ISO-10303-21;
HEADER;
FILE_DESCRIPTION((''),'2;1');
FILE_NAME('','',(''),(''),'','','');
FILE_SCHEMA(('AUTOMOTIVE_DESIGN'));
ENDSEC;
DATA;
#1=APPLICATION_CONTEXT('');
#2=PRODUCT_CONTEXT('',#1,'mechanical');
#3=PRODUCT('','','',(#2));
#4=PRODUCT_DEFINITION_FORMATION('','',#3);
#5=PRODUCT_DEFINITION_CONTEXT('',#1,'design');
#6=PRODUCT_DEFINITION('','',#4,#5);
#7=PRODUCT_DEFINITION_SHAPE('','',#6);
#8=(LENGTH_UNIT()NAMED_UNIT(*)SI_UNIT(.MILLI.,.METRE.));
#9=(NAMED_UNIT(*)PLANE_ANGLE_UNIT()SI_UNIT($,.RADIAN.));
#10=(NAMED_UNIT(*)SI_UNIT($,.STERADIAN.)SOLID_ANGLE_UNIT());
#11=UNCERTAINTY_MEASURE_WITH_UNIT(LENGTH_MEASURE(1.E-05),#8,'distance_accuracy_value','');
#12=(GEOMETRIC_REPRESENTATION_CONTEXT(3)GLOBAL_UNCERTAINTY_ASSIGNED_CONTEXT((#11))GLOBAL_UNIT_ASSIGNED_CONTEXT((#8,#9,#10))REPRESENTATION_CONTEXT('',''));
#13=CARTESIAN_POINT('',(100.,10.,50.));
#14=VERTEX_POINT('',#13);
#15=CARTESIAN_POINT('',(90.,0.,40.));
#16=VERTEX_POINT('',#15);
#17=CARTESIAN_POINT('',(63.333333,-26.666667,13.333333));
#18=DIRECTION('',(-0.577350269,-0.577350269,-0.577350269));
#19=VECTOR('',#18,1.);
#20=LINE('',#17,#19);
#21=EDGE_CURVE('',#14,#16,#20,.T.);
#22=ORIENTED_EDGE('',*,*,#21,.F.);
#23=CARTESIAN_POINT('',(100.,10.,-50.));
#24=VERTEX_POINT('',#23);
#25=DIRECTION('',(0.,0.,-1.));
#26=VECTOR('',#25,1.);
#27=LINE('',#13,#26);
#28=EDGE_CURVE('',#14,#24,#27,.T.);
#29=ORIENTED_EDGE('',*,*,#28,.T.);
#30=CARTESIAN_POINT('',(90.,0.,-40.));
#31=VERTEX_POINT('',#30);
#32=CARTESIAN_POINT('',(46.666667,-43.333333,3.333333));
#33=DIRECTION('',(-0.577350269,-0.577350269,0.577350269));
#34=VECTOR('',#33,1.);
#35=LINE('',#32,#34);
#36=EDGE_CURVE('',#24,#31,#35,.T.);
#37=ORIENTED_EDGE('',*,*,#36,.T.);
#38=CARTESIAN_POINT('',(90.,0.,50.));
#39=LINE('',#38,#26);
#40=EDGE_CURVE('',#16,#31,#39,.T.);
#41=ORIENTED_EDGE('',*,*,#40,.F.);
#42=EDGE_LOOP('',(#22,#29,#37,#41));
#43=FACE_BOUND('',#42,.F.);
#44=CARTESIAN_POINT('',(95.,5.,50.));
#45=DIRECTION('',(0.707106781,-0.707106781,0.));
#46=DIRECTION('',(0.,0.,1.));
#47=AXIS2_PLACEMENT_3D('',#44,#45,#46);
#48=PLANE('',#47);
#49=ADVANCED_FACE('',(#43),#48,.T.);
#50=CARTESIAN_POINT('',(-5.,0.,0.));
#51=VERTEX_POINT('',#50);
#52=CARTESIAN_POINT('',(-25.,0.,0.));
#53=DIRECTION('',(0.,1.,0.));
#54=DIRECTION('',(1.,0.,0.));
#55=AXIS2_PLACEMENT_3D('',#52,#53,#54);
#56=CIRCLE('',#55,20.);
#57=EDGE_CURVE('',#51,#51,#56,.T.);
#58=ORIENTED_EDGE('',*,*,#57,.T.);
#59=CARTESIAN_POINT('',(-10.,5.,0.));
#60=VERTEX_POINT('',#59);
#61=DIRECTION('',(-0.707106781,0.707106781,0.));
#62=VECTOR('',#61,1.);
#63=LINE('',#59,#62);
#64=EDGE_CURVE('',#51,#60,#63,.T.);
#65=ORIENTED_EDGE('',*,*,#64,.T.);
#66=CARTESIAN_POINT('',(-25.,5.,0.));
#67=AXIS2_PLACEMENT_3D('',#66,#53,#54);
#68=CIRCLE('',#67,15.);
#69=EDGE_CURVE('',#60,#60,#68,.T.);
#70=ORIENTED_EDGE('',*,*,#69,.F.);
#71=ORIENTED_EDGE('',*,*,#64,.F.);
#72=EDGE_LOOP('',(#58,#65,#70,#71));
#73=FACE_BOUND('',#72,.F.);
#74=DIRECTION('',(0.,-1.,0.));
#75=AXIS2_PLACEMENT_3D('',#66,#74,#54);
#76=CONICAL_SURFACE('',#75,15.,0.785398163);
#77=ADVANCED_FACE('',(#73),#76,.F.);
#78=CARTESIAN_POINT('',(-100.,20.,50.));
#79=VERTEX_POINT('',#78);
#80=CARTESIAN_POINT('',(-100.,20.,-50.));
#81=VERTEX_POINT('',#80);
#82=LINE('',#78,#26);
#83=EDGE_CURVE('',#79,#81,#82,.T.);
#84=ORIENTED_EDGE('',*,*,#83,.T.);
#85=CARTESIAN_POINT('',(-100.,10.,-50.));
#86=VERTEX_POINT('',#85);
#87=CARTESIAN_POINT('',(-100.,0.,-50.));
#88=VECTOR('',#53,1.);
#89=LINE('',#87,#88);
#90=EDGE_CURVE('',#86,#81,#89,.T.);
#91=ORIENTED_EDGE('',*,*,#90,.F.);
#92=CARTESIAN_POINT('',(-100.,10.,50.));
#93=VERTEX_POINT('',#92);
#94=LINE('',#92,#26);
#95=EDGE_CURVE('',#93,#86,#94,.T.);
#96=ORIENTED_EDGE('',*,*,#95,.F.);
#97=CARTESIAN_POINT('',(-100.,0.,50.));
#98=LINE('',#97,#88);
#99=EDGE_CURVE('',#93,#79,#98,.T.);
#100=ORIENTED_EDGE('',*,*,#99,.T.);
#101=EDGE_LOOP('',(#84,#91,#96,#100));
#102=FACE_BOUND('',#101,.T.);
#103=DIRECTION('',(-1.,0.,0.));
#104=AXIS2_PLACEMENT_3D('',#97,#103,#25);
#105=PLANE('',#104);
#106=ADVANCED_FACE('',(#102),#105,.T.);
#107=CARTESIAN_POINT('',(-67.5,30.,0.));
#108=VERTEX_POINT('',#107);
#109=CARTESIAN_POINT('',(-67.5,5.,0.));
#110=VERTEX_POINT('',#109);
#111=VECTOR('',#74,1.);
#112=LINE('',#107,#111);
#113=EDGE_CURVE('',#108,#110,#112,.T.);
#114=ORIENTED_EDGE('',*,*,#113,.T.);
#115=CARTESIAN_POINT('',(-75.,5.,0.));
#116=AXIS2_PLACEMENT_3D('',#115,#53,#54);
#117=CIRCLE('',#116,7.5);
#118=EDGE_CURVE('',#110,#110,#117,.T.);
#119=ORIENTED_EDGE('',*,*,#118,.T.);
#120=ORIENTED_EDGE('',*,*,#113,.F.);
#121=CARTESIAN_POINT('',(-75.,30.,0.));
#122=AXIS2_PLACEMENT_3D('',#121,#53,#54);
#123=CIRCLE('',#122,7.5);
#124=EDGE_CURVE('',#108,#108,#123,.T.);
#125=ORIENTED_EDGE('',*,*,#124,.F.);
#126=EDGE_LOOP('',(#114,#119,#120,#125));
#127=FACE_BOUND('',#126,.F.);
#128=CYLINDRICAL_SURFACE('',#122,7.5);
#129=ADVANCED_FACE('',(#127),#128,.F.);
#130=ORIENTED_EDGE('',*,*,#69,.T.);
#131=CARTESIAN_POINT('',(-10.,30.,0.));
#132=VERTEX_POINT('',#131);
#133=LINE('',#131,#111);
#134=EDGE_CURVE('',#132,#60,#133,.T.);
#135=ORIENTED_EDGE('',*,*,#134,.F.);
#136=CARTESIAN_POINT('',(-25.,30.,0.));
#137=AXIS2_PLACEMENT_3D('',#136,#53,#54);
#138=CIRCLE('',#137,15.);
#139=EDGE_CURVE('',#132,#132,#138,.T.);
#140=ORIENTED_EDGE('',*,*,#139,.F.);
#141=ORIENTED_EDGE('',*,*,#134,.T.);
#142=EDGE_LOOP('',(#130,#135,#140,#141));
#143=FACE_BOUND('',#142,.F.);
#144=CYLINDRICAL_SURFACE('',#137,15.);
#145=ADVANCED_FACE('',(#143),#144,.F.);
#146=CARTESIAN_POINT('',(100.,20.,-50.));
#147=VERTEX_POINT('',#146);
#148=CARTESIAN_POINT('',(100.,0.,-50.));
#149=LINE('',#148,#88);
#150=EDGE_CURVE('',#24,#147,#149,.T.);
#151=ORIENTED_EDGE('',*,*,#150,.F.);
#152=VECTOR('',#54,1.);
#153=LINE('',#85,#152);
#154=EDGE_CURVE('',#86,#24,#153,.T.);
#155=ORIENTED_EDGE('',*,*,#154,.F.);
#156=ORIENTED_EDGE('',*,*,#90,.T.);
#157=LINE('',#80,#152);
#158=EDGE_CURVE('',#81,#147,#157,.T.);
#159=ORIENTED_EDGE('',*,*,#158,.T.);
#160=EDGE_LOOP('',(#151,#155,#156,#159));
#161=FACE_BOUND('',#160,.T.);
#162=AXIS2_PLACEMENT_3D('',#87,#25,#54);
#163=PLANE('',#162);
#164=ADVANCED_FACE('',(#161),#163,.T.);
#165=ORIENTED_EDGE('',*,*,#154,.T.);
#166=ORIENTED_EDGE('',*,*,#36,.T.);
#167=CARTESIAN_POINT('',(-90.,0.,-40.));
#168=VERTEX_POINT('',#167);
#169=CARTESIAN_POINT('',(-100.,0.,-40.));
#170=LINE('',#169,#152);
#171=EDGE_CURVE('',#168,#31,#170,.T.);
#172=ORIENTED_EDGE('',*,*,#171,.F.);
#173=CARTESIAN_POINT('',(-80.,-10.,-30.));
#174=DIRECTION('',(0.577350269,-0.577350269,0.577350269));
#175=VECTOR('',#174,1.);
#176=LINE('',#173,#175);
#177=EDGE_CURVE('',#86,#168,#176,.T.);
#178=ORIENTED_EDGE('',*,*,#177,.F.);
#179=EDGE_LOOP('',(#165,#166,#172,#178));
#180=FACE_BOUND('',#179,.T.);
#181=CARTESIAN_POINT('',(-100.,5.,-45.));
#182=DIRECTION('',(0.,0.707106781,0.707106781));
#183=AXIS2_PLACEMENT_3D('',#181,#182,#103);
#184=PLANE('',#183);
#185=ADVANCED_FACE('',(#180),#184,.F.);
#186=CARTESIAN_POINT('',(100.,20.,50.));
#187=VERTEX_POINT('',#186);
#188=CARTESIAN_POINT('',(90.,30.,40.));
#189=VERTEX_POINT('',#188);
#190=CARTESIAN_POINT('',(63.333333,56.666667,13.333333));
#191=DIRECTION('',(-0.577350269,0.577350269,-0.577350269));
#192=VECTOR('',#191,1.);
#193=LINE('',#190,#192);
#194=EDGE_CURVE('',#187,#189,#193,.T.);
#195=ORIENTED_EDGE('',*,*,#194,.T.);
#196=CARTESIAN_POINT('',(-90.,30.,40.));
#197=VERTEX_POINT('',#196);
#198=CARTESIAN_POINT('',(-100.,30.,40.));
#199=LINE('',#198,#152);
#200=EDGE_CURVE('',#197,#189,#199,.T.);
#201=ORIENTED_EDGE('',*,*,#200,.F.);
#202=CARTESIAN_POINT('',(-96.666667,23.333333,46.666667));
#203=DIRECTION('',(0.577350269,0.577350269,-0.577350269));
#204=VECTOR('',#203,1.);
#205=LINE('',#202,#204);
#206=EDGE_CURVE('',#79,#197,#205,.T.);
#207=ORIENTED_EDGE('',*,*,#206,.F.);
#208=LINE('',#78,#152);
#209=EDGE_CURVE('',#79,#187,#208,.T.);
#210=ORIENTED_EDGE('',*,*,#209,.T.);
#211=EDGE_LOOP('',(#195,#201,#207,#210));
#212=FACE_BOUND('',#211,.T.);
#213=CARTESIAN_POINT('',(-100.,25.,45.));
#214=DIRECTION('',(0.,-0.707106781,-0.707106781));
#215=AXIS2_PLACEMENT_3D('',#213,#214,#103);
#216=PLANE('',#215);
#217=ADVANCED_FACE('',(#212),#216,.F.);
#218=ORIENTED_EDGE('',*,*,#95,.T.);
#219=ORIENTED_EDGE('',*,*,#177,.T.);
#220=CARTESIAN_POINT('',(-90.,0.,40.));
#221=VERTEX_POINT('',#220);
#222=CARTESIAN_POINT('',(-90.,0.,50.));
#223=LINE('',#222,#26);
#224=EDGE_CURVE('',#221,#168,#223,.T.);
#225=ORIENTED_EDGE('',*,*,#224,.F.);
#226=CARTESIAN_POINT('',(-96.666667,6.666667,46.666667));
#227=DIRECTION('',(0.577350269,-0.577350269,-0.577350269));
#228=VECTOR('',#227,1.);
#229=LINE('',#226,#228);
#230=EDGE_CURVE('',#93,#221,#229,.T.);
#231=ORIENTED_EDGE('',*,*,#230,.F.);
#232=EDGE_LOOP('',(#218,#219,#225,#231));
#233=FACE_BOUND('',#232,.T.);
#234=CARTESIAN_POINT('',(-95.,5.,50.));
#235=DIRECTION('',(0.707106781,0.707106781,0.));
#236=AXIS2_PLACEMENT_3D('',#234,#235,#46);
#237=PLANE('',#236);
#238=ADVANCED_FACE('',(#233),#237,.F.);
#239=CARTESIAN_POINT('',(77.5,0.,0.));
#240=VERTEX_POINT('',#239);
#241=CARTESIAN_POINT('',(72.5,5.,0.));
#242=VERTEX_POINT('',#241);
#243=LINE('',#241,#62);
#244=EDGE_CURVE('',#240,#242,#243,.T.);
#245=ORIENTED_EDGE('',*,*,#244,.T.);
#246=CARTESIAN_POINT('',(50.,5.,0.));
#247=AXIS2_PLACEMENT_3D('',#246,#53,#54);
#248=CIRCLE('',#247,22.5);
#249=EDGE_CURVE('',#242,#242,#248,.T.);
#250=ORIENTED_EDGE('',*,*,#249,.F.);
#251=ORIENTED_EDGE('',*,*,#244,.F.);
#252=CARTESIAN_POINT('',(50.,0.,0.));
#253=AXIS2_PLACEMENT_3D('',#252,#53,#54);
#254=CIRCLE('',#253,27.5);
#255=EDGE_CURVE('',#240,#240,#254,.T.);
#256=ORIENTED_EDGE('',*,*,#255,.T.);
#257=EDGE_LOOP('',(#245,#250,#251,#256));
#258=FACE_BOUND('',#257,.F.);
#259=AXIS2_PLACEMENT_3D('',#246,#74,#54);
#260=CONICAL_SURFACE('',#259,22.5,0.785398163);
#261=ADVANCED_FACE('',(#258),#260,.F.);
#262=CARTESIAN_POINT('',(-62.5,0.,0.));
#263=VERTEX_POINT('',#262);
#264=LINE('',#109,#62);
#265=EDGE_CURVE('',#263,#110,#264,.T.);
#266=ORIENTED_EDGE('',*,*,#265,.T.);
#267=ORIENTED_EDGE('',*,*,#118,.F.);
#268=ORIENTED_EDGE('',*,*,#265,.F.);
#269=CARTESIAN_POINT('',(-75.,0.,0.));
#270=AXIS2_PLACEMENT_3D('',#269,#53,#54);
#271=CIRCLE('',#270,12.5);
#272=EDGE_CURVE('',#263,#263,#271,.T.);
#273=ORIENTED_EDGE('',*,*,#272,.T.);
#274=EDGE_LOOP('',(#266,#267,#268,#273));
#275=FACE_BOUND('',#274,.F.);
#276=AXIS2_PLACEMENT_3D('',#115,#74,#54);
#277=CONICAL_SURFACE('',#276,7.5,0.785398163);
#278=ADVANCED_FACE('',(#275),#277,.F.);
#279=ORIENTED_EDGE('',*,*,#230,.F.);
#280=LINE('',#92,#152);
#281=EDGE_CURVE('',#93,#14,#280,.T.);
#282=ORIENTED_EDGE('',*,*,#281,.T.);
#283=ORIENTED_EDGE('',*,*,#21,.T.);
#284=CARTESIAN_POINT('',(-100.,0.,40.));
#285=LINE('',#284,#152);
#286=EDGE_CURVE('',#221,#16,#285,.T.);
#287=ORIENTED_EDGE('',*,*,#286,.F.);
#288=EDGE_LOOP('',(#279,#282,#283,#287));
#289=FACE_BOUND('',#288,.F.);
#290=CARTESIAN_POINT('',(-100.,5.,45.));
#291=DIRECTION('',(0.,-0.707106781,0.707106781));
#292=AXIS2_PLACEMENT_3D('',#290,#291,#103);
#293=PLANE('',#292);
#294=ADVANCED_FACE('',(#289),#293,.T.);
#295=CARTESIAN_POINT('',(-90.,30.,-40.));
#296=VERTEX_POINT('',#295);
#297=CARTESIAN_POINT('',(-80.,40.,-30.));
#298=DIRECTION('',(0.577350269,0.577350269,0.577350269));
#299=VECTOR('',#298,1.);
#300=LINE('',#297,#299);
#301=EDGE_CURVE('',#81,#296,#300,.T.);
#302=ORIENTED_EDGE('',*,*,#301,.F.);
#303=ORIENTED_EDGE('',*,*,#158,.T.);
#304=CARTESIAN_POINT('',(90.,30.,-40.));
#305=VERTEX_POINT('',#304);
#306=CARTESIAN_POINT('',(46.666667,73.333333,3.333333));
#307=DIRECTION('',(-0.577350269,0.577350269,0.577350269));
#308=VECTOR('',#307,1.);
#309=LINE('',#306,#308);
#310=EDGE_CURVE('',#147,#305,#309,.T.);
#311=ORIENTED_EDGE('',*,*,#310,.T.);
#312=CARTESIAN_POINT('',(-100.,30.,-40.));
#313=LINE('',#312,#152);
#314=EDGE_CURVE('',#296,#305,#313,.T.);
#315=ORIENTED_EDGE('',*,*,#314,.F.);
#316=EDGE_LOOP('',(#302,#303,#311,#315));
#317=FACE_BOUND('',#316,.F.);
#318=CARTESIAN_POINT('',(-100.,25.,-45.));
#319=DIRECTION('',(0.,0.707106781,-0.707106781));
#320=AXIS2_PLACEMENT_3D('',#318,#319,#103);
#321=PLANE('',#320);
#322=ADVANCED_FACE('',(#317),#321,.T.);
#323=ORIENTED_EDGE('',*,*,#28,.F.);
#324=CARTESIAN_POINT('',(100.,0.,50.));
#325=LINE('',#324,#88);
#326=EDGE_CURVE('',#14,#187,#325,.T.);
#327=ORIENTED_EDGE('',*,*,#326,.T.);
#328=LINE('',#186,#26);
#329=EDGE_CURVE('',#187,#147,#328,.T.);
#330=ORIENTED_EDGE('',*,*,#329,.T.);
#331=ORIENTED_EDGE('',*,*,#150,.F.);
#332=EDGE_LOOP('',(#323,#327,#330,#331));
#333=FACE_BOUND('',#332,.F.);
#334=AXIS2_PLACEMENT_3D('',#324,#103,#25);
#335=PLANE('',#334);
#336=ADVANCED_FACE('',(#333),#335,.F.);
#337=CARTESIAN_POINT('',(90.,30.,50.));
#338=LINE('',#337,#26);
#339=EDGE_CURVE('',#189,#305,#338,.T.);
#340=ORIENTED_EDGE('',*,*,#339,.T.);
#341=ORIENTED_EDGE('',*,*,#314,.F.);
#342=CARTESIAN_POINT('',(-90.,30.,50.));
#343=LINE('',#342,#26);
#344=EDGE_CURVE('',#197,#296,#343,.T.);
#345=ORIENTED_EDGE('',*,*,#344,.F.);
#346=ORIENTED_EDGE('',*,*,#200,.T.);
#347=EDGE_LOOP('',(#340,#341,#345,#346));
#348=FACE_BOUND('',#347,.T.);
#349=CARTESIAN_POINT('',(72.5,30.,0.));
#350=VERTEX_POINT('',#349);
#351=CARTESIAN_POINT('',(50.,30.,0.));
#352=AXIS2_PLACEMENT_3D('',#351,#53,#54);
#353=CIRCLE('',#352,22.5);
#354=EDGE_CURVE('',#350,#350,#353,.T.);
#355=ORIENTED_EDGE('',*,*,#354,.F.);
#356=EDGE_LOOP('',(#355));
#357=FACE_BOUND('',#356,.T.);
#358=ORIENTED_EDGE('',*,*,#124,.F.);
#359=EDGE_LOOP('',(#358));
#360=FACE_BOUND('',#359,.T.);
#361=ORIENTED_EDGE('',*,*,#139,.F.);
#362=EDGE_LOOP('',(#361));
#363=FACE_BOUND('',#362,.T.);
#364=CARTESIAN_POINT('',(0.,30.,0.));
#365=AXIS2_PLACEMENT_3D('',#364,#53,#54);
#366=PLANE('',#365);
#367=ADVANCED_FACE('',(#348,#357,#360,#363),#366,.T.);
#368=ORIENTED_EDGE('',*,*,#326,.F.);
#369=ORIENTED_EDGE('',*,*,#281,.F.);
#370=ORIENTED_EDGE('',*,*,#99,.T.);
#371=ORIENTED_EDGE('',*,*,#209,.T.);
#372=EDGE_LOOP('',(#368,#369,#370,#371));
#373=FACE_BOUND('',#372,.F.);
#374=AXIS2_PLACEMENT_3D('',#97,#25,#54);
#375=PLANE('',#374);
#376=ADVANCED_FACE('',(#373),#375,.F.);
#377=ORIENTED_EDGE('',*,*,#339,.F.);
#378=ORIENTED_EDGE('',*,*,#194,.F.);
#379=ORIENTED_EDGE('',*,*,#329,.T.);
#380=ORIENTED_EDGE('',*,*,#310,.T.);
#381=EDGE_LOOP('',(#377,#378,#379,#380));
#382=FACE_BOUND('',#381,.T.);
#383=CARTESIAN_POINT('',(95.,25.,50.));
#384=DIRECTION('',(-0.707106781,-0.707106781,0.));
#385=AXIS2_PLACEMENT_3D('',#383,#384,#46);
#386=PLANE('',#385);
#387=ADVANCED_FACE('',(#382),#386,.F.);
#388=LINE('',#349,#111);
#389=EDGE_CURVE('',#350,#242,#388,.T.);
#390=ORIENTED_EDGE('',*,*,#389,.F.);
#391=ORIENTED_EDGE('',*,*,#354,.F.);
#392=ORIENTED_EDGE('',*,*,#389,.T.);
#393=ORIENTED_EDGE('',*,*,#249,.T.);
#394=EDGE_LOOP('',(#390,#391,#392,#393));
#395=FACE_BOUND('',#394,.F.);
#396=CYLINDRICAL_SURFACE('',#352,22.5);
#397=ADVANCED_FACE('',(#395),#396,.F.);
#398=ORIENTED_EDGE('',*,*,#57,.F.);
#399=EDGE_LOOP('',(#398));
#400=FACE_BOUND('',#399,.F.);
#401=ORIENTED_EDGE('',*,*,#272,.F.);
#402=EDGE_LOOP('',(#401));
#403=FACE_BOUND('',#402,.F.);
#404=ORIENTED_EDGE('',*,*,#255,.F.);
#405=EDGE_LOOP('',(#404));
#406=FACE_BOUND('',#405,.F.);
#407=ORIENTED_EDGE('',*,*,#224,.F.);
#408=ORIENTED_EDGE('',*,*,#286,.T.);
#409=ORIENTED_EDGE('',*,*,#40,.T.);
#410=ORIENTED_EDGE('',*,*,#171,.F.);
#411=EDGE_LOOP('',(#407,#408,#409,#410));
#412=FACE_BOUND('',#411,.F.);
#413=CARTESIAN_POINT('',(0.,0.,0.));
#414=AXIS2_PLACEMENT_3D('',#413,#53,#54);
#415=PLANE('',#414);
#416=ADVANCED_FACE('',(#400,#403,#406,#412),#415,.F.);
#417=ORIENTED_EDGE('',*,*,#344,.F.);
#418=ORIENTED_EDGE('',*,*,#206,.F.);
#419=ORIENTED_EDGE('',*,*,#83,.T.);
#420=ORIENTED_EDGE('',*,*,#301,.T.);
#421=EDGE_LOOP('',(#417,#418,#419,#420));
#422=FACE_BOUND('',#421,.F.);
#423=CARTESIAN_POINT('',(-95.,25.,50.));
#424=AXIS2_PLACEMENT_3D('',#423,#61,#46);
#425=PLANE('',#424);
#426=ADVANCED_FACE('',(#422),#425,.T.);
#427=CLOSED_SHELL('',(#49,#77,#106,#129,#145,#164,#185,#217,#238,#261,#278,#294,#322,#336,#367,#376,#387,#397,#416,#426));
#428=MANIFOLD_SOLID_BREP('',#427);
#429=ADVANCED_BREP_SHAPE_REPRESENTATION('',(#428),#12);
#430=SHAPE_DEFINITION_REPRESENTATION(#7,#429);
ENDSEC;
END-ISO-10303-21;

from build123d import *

# Parameters (mm, degrees)
CROQUIS1_W              = 200
CROQUIS1_H              = 100
SALIENTE_EXTRUIR1_DEPTH = 30
CHAFL_N1_SIZE           = 10
CORTAR_EXTRUIR1_REACH   = 32
CROQUIS2_R              = 7.5
CROQUIS2_R_2            = 15
CROQUIS2_R_3            = 22.5
CHAFL_N3_SIZE           = 5


with BuildPart() as part:
    # Croquis1 → Saliente-Extruir1 (new body)
    with BuildSketch(Plane(origin=(0, 0, 0), x_dir=(1, 0, 0), z_dir=(0, 1, 0))):
        Rectangle(CROQUIS1_W, CROQUIS1_H)
    extrude(amount=SALIENTE_EXTRUIR1_DEPTH)

    # Chaflán1
    chafl_n1_edges = [part.edges().sort_by_distance(p)[0] for p in [
        (-100, 30, 0),
        (0, 30, 50),
        (100, 30, 0),
        (0, 0, 50),
        (-100, 0, 0),
        (0, 0, -50),
        (100, 0, 0),
        (0, 30, -50),
    ]]
    chamfer(chafl_n1_edges, length=CHAFL_N1_SIZE)

    # Croquis2 → Cortar-Extruir1 (cut, up to next)
    with BuildSketch(Plane(origin=(0, 30, 0), x_dir=(1, 0, 0), z_dir=(0, 1, 0)), mode=Mode.PRIVATE) as cortar_extruir1_sk1:
        with Locations((-75, 0)):
            Circle(CROQUIS2_R)
    cortar_extruir1_tool1 = extrude(cortar_extruir1_sk1.sketch, amount=-CORTAR_EXTRUIR1_REACH, mode=Mode.PRIVATE) & part.part
    add(cortar_extruir1_tool1.solids().sort_by_distance((-75, 30, 0))[0], mode=Mode.SUBTRACT)
    # Croquis2 → Cortar-Extruir1 (cut, up to next)
    with BuildSketch(Plane(origin=(0, 30, 0), x_dir=(1, 0, 0), z_dir=(0, 1, 0)), mode=Mode.PRIVATE) as cortar_extruir1_sk2:
        with Locations((-25, 0)):
            Circle(CROQUIS2_R_2)
    cortar_extruir1_tool2 = extrude(cortar_extruir1_sk2.sketch, amount=-CORTAR_EXTRUIR1_REACH, mode=Mode.PRIVATE) & part.part
    add(cortar_extruir1_tool2.solids().sort_by_distance((-25, 30, 0))[0], mode=Mode.SUBTRACT)
    # Croquis2 → Cortar-Extruir1 (cut, up to next)
    with BuildSketch(Plane(origin=(0, 30, 0), x_dir=(1, 0, 0), z_dir=(0, 1, 0)), mode=Mode.PRIVATE) as cortar_extruir1_sk3:
        with Locations((50, 0)):
            Circle(CROQUIS2_R_3)
    cortar_extruir1_tool3 = extrude(cortar_extruir1_sk3.sketch, amount=-CORTAR_EXTRUIR1_REACH, mode=Mode.PRIVATE) & part.part
    add(cortar_extruir1_tool3.solids().sort_by_distance((50, 30, 0))[0], mode=Mode.SUBTRACT)

    # Chaflán3
    chafl_n3_edges = [part.edges().sort_by_distance(p)[0] for p in [
        (-82.5, 0, 0),
        (-40, 0, 0),
        (27.5, 0, 0),
    ]]
    chamfer(chafl_n3_edges, length=CHAFL_N3_SIZE)


solid = part.part
